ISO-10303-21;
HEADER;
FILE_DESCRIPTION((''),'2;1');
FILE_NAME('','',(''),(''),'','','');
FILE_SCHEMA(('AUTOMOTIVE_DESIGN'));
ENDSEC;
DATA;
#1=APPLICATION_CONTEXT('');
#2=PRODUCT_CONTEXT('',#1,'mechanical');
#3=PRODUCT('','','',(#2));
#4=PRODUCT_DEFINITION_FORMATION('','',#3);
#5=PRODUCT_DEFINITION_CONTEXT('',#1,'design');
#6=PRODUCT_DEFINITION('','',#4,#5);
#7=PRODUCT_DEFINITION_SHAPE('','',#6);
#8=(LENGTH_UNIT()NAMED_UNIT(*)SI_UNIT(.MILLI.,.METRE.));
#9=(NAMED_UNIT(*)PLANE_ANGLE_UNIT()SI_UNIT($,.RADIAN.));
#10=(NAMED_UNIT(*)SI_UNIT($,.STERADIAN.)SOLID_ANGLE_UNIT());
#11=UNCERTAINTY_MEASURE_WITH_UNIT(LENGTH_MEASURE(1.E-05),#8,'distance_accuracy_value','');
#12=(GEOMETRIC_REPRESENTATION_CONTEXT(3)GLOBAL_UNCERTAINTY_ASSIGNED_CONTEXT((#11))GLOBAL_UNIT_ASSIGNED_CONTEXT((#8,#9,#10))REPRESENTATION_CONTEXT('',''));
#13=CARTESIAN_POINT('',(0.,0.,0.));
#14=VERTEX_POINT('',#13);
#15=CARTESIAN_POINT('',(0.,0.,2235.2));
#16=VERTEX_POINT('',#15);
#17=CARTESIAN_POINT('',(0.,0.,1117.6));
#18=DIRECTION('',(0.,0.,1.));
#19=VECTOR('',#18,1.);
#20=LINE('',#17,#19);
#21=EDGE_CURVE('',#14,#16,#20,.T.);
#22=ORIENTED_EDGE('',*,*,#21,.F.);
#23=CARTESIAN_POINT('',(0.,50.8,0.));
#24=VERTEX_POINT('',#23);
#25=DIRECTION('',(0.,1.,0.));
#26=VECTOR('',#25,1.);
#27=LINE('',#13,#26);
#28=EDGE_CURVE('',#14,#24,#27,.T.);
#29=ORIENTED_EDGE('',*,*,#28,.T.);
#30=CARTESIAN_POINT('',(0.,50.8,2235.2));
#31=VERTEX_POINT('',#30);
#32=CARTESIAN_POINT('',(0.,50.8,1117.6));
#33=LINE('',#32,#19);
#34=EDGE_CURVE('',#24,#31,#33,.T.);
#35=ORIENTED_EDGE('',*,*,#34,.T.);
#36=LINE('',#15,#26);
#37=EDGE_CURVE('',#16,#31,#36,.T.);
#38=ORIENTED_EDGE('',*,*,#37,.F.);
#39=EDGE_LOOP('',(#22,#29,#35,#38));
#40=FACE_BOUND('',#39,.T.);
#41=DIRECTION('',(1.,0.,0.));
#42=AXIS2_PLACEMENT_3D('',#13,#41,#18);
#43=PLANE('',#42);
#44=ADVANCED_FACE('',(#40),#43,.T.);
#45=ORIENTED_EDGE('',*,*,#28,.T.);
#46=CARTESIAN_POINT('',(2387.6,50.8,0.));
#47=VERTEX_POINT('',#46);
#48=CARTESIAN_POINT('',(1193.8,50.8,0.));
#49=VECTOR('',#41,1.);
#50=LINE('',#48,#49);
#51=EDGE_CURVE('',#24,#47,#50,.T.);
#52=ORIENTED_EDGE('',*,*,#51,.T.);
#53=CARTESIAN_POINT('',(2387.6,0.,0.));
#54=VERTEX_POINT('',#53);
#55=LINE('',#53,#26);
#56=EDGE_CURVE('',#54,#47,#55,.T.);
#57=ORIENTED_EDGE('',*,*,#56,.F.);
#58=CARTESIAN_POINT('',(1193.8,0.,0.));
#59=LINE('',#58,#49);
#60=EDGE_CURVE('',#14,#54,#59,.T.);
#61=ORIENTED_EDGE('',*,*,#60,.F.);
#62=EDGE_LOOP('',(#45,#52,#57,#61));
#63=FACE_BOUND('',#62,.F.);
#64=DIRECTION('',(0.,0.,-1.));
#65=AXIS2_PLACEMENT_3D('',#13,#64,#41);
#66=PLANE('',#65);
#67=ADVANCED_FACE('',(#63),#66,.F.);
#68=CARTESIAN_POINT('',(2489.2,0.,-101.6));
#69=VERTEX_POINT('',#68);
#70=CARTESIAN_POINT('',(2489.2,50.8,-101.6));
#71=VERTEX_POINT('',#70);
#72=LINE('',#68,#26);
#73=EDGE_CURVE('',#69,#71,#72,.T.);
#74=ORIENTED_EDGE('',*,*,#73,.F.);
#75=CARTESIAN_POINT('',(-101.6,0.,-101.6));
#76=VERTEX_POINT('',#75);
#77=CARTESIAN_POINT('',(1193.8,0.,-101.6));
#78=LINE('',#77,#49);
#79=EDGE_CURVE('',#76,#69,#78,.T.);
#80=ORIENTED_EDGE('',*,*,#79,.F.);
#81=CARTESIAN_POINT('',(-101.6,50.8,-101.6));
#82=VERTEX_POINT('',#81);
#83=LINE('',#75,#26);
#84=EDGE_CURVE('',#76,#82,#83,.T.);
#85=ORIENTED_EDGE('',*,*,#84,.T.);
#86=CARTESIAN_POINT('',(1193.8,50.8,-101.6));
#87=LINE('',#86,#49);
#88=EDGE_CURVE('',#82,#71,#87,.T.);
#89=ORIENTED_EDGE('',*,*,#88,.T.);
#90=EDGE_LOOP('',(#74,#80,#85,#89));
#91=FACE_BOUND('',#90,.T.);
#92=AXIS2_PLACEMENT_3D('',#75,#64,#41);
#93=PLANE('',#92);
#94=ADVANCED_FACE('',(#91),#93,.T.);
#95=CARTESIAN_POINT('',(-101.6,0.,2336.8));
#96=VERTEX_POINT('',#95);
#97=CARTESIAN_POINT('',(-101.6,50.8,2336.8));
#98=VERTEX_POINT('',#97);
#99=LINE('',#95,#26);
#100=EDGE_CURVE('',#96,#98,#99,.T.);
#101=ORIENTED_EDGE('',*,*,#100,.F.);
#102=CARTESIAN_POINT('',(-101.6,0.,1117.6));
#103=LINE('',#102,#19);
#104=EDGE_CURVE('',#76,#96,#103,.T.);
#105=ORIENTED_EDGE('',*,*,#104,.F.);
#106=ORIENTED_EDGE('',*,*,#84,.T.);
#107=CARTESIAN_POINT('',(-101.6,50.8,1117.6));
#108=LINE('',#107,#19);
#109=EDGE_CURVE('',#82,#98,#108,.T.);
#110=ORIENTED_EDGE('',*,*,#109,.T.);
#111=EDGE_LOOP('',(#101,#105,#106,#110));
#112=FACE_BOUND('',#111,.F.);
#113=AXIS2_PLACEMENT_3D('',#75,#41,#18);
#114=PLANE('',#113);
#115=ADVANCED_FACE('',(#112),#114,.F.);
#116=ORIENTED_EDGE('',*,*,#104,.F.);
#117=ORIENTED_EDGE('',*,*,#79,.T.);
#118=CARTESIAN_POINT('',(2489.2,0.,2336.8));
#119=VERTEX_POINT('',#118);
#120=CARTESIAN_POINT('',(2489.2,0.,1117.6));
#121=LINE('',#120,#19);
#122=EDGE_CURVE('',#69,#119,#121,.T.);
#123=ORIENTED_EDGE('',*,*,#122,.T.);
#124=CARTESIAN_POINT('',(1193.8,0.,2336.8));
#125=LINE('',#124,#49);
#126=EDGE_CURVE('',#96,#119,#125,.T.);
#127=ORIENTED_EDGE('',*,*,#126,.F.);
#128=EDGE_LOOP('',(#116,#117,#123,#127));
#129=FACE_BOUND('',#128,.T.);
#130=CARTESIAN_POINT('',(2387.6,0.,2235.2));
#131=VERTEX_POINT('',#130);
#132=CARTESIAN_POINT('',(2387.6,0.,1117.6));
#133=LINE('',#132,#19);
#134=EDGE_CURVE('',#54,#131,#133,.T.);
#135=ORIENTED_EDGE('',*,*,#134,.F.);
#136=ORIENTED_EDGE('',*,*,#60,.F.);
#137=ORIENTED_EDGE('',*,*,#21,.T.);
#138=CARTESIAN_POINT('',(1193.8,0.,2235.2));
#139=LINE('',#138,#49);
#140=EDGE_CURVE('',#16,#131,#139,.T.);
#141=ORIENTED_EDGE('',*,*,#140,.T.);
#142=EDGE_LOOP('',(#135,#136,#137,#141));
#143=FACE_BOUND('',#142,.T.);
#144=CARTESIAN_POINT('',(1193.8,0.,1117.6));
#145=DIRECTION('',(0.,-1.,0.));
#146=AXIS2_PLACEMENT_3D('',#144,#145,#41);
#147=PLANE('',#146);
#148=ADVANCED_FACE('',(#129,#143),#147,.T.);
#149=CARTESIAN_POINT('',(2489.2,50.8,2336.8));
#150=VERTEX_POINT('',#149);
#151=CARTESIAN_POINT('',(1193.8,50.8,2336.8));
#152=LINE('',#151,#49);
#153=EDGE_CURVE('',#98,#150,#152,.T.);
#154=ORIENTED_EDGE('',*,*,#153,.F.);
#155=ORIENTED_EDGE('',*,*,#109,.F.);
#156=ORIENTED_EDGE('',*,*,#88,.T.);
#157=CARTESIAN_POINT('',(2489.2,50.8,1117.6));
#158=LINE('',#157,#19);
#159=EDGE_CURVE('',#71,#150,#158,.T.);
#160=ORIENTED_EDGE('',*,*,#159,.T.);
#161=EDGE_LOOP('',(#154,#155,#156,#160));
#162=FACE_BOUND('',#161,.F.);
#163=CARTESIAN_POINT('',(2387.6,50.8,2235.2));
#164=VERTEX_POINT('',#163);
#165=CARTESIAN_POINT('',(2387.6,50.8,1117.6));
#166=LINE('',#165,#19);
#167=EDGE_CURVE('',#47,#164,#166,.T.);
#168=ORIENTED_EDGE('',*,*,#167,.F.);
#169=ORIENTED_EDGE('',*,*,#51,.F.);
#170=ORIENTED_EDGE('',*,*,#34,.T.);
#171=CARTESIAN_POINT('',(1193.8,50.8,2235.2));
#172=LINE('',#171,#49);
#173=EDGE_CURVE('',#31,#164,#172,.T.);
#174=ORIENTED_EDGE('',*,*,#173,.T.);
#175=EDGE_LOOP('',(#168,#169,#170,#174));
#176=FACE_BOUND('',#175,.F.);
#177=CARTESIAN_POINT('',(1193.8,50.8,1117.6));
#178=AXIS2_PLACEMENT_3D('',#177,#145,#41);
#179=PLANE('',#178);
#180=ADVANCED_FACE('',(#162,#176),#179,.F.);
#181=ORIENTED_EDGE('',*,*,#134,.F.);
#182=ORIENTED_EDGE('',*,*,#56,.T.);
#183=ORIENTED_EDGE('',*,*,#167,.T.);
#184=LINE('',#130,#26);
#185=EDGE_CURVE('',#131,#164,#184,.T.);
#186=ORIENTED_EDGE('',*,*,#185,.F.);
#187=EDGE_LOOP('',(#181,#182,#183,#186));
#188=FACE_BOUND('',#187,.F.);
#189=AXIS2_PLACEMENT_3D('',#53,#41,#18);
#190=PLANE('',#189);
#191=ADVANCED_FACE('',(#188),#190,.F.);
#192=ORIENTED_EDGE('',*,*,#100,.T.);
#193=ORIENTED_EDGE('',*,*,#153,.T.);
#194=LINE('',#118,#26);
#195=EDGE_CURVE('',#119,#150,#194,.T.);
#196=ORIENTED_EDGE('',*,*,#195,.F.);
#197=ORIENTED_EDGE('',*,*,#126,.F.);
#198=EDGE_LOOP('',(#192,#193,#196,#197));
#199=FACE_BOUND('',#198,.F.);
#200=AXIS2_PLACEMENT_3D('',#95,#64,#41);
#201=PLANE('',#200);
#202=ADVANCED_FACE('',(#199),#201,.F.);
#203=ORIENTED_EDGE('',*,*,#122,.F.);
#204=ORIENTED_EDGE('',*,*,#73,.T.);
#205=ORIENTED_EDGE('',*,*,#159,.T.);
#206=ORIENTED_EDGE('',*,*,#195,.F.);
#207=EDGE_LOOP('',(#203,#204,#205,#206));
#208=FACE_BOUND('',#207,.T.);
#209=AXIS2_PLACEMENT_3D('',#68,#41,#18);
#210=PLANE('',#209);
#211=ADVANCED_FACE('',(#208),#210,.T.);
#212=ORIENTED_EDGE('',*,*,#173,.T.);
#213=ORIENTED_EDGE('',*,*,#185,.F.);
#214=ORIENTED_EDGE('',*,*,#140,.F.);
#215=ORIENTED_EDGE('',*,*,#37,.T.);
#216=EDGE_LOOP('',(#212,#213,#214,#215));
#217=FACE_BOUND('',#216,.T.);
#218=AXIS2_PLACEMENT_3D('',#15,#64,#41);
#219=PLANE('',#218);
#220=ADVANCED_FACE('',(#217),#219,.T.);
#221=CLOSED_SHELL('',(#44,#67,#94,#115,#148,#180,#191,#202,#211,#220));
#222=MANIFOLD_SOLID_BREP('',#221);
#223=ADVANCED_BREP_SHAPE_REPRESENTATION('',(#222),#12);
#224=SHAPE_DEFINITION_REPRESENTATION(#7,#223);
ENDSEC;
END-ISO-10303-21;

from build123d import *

# Parameters (mm, degrees)
F0_W     = 2590.8
F0_H     = 2438.4
F0_W_2   = 2387.6
F0_H_2   = 2235.2
F1_DEPTH = 50.8


with BuildPart() as f1:
    # F0 (on Front) → F1 (new body)
    with BuildSketch(Plane.XZ):
        with Locations((1193.8, 1117.6)):
            Rectangle(F0_W, F0_H)
        with Locations((1193.8, 1117.6)):
            Rectangle(F0_W_2, F0_H_2, mode=Mode.SUBTRACT)
    extrude(amount=-F1_DEPTH)


solid = f1.part
